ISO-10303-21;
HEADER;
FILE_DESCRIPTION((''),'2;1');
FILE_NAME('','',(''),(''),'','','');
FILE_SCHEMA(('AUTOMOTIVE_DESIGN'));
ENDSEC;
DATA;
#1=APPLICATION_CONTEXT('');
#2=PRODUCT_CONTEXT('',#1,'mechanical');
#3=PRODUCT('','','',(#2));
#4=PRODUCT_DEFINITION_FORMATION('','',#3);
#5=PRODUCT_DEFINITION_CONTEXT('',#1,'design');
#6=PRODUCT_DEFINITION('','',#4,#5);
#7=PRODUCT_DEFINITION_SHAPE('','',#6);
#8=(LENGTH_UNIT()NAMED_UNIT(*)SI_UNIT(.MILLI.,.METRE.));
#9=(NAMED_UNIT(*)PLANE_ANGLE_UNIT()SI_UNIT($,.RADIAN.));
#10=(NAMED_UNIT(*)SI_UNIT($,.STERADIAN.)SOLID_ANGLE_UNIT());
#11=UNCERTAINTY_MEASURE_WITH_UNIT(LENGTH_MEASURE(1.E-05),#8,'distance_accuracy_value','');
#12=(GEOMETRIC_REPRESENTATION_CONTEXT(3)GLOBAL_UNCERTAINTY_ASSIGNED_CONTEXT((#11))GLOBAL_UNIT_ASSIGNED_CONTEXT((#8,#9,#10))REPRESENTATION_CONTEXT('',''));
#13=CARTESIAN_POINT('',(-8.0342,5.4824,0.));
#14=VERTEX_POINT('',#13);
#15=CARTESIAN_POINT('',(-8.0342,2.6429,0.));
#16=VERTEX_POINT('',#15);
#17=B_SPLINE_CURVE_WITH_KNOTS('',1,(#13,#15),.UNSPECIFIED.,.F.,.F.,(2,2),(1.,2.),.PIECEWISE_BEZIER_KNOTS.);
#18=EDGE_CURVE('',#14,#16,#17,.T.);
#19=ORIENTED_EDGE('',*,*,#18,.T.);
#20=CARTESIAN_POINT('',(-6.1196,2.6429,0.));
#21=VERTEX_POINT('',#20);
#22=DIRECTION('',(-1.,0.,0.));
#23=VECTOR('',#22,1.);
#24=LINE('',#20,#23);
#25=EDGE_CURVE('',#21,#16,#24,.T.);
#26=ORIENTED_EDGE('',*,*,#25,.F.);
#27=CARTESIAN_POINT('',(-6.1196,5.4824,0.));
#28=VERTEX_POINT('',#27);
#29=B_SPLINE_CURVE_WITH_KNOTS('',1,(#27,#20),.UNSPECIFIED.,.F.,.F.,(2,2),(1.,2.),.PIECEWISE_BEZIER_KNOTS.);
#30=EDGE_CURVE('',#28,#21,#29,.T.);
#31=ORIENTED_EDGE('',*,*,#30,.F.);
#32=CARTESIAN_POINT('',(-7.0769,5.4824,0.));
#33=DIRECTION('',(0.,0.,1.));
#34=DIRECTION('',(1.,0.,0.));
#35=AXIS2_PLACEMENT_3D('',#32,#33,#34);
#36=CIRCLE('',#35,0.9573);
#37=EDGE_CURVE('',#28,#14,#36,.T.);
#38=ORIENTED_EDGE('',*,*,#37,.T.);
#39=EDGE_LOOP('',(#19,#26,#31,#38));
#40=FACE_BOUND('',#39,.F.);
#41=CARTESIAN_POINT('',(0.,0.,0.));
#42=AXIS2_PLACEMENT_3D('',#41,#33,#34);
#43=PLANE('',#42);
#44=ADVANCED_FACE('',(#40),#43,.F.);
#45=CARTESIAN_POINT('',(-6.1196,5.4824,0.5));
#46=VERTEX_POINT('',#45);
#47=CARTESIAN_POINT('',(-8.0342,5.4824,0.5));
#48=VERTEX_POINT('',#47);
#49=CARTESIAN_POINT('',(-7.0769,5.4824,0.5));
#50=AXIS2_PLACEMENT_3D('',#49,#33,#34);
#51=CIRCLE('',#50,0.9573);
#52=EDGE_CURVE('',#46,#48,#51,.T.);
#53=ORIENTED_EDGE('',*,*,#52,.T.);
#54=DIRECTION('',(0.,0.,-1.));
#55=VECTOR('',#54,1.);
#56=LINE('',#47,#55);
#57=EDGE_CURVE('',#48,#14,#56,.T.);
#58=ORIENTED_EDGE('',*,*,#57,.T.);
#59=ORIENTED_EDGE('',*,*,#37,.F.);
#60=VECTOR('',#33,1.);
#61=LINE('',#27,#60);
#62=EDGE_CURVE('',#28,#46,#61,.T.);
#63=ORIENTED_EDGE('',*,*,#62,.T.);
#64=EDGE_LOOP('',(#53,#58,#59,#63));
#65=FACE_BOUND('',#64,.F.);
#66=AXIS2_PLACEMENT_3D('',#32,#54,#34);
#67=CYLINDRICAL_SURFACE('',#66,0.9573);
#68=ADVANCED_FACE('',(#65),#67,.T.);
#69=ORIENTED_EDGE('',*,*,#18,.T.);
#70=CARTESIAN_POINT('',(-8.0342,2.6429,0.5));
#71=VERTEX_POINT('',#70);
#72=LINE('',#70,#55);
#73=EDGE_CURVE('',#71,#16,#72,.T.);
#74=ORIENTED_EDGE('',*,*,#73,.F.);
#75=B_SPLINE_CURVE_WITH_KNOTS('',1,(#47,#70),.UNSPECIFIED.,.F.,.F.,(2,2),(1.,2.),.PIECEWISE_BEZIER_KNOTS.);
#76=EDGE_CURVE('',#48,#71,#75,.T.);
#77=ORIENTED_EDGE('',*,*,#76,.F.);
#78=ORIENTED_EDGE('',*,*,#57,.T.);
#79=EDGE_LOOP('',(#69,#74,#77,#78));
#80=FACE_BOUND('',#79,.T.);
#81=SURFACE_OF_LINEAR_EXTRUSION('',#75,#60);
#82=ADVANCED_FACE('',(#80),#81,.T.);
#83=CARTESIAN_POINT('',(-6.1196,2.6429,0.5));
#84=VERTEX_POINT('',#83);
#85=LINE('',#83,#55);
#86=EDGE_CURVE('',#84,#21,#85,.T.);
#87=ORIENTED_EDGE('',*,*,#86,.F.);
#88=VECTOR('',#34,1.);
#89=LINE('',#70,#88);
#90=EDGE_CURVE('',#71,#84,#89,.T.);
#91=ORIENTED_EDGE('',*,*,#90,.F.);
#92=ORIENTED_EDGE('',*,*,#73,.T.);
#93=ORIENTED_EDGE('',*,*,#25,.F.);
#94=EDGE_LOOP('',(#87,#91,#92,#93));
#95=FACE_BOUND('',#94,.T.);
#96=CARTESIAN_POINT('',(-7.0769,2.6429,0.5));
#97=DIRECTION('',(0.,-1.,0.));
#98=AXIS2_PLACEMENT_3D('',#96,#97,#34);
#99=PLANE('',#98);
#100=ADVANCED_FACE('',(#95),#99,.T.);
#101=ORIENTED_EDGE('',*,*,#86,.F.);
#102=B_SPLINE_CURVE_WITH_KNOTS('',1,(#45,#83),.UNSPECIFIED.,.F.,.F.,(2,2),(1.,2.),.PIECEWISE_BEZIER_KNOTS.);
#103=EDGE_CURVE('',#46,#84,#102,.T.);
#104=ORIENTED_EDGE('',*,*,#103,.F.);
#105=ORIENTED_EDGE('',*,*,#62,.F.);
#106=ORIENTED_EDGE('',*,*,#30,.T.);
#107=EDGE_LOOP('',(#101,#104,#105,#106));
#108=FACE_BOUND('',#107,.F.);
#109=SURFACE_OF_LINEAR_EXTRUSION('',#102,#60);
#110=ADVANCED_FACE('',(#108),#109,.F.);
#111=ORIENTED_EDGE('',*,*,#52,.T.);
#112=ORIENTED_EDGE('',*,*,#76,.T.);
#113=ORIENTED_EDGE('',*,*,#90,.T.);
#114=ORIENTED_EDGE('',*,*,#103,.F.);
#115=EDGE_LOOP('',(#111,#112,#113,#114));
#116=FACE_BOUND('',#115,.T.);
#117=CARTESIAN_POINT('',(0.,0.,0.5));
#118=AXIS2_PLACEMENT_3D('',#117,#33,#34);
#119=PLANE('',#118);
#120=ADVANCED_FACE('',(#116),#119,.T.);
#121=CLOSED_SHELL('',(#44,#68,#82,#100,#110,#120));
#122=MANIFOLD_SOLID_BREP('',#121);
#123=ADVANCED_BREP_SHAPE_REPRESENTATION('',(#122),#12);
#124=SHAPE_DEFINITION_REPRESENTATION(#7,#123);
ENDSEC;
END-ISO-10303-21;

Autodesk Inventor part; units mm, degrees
ref_plane "YZ Plane" through (0, 0, 0) normal (1, 0, 0) x (0, 1, 0)
ref_plane "XZ Plane" through (0, 0, 0) normal (0, 1, 0) x (-1, 0, 0)
ref_plane "XY Plane" through (0, 0, 0) normal (0, 0, 1) x (1, 0, 0)
sketch "Sketch1" plane through (0, 0, 0) normal (0, 0, 1) x (1, 0, 0)
  line L0 (-8.0598, 3.2108) -> (-6.094, 3.2108) construction
  spline S0 degree 1 poles (-8.0598, 3.2108) (-6.094, 3.2108) knots 1 1 2 2
  line L1 (-8.0162, 3.2982) -> (-8.0162, 5.4824) construction
  spline S1 degree 1 poles (-8.0162, 3.2982) (-8.0162, 5.4824) knots 1 1 2 2
  line L2 (-6.094, 3.2108) -> (-6.094, 5.4824) construction
  spline S2 degree 1 poles (-6.094, 3.2108) (-6.094, 5.4824) knots 1 1 2 2
  circle A0 centre (-7.0769, 5.4824) radius 0.9573
  point P0 (0, 0)
extrude "Extrusion1" add sketch "Sketch1" along normal blind 0.5
sketch "Sketch2" plane through (-7.0769, 5.4824, 0.5) normal (0, 0, 1) x (1, 0, 0)
  circle A0 centre (0, 0) radius 0.9573 projected
  line L0 (-0.9573, 0) -> (-0.9573, -2.8395) construction
  spline S0 degree 1 poles (-0.9573, 0) (-0.9573, -2.8395) knots 1 1 2 2
  line L1 (0.9573, 0) -> (0.9573, -2.8395) construction
  spline S1 degree 1 poles (0.9573, 0) (0.9573, -2.8395) knots 1 1 2 2
  line L2 (-0.9573, -2.8395) -> (0.9573, -2.8395) construction
  spline S2 degree 1 poles (-0.9573, -2.8395) (0.9573, -2.8395) knots 1 1 2 2
  line L3 (-0.9573, -2.8395) -> (0, -2.8395) construction
  spline S3 degree 1 poles (-0.9573, -2.8395) (0, -2.8395) knots 1 1 2 2
  point P0 (7.0769, -5.4824)
extrude "Extrusion2" add sketch "Sketch2" against normal blind 0.5 contours S1 S2 S0 A0
properties part number "rgb led"
